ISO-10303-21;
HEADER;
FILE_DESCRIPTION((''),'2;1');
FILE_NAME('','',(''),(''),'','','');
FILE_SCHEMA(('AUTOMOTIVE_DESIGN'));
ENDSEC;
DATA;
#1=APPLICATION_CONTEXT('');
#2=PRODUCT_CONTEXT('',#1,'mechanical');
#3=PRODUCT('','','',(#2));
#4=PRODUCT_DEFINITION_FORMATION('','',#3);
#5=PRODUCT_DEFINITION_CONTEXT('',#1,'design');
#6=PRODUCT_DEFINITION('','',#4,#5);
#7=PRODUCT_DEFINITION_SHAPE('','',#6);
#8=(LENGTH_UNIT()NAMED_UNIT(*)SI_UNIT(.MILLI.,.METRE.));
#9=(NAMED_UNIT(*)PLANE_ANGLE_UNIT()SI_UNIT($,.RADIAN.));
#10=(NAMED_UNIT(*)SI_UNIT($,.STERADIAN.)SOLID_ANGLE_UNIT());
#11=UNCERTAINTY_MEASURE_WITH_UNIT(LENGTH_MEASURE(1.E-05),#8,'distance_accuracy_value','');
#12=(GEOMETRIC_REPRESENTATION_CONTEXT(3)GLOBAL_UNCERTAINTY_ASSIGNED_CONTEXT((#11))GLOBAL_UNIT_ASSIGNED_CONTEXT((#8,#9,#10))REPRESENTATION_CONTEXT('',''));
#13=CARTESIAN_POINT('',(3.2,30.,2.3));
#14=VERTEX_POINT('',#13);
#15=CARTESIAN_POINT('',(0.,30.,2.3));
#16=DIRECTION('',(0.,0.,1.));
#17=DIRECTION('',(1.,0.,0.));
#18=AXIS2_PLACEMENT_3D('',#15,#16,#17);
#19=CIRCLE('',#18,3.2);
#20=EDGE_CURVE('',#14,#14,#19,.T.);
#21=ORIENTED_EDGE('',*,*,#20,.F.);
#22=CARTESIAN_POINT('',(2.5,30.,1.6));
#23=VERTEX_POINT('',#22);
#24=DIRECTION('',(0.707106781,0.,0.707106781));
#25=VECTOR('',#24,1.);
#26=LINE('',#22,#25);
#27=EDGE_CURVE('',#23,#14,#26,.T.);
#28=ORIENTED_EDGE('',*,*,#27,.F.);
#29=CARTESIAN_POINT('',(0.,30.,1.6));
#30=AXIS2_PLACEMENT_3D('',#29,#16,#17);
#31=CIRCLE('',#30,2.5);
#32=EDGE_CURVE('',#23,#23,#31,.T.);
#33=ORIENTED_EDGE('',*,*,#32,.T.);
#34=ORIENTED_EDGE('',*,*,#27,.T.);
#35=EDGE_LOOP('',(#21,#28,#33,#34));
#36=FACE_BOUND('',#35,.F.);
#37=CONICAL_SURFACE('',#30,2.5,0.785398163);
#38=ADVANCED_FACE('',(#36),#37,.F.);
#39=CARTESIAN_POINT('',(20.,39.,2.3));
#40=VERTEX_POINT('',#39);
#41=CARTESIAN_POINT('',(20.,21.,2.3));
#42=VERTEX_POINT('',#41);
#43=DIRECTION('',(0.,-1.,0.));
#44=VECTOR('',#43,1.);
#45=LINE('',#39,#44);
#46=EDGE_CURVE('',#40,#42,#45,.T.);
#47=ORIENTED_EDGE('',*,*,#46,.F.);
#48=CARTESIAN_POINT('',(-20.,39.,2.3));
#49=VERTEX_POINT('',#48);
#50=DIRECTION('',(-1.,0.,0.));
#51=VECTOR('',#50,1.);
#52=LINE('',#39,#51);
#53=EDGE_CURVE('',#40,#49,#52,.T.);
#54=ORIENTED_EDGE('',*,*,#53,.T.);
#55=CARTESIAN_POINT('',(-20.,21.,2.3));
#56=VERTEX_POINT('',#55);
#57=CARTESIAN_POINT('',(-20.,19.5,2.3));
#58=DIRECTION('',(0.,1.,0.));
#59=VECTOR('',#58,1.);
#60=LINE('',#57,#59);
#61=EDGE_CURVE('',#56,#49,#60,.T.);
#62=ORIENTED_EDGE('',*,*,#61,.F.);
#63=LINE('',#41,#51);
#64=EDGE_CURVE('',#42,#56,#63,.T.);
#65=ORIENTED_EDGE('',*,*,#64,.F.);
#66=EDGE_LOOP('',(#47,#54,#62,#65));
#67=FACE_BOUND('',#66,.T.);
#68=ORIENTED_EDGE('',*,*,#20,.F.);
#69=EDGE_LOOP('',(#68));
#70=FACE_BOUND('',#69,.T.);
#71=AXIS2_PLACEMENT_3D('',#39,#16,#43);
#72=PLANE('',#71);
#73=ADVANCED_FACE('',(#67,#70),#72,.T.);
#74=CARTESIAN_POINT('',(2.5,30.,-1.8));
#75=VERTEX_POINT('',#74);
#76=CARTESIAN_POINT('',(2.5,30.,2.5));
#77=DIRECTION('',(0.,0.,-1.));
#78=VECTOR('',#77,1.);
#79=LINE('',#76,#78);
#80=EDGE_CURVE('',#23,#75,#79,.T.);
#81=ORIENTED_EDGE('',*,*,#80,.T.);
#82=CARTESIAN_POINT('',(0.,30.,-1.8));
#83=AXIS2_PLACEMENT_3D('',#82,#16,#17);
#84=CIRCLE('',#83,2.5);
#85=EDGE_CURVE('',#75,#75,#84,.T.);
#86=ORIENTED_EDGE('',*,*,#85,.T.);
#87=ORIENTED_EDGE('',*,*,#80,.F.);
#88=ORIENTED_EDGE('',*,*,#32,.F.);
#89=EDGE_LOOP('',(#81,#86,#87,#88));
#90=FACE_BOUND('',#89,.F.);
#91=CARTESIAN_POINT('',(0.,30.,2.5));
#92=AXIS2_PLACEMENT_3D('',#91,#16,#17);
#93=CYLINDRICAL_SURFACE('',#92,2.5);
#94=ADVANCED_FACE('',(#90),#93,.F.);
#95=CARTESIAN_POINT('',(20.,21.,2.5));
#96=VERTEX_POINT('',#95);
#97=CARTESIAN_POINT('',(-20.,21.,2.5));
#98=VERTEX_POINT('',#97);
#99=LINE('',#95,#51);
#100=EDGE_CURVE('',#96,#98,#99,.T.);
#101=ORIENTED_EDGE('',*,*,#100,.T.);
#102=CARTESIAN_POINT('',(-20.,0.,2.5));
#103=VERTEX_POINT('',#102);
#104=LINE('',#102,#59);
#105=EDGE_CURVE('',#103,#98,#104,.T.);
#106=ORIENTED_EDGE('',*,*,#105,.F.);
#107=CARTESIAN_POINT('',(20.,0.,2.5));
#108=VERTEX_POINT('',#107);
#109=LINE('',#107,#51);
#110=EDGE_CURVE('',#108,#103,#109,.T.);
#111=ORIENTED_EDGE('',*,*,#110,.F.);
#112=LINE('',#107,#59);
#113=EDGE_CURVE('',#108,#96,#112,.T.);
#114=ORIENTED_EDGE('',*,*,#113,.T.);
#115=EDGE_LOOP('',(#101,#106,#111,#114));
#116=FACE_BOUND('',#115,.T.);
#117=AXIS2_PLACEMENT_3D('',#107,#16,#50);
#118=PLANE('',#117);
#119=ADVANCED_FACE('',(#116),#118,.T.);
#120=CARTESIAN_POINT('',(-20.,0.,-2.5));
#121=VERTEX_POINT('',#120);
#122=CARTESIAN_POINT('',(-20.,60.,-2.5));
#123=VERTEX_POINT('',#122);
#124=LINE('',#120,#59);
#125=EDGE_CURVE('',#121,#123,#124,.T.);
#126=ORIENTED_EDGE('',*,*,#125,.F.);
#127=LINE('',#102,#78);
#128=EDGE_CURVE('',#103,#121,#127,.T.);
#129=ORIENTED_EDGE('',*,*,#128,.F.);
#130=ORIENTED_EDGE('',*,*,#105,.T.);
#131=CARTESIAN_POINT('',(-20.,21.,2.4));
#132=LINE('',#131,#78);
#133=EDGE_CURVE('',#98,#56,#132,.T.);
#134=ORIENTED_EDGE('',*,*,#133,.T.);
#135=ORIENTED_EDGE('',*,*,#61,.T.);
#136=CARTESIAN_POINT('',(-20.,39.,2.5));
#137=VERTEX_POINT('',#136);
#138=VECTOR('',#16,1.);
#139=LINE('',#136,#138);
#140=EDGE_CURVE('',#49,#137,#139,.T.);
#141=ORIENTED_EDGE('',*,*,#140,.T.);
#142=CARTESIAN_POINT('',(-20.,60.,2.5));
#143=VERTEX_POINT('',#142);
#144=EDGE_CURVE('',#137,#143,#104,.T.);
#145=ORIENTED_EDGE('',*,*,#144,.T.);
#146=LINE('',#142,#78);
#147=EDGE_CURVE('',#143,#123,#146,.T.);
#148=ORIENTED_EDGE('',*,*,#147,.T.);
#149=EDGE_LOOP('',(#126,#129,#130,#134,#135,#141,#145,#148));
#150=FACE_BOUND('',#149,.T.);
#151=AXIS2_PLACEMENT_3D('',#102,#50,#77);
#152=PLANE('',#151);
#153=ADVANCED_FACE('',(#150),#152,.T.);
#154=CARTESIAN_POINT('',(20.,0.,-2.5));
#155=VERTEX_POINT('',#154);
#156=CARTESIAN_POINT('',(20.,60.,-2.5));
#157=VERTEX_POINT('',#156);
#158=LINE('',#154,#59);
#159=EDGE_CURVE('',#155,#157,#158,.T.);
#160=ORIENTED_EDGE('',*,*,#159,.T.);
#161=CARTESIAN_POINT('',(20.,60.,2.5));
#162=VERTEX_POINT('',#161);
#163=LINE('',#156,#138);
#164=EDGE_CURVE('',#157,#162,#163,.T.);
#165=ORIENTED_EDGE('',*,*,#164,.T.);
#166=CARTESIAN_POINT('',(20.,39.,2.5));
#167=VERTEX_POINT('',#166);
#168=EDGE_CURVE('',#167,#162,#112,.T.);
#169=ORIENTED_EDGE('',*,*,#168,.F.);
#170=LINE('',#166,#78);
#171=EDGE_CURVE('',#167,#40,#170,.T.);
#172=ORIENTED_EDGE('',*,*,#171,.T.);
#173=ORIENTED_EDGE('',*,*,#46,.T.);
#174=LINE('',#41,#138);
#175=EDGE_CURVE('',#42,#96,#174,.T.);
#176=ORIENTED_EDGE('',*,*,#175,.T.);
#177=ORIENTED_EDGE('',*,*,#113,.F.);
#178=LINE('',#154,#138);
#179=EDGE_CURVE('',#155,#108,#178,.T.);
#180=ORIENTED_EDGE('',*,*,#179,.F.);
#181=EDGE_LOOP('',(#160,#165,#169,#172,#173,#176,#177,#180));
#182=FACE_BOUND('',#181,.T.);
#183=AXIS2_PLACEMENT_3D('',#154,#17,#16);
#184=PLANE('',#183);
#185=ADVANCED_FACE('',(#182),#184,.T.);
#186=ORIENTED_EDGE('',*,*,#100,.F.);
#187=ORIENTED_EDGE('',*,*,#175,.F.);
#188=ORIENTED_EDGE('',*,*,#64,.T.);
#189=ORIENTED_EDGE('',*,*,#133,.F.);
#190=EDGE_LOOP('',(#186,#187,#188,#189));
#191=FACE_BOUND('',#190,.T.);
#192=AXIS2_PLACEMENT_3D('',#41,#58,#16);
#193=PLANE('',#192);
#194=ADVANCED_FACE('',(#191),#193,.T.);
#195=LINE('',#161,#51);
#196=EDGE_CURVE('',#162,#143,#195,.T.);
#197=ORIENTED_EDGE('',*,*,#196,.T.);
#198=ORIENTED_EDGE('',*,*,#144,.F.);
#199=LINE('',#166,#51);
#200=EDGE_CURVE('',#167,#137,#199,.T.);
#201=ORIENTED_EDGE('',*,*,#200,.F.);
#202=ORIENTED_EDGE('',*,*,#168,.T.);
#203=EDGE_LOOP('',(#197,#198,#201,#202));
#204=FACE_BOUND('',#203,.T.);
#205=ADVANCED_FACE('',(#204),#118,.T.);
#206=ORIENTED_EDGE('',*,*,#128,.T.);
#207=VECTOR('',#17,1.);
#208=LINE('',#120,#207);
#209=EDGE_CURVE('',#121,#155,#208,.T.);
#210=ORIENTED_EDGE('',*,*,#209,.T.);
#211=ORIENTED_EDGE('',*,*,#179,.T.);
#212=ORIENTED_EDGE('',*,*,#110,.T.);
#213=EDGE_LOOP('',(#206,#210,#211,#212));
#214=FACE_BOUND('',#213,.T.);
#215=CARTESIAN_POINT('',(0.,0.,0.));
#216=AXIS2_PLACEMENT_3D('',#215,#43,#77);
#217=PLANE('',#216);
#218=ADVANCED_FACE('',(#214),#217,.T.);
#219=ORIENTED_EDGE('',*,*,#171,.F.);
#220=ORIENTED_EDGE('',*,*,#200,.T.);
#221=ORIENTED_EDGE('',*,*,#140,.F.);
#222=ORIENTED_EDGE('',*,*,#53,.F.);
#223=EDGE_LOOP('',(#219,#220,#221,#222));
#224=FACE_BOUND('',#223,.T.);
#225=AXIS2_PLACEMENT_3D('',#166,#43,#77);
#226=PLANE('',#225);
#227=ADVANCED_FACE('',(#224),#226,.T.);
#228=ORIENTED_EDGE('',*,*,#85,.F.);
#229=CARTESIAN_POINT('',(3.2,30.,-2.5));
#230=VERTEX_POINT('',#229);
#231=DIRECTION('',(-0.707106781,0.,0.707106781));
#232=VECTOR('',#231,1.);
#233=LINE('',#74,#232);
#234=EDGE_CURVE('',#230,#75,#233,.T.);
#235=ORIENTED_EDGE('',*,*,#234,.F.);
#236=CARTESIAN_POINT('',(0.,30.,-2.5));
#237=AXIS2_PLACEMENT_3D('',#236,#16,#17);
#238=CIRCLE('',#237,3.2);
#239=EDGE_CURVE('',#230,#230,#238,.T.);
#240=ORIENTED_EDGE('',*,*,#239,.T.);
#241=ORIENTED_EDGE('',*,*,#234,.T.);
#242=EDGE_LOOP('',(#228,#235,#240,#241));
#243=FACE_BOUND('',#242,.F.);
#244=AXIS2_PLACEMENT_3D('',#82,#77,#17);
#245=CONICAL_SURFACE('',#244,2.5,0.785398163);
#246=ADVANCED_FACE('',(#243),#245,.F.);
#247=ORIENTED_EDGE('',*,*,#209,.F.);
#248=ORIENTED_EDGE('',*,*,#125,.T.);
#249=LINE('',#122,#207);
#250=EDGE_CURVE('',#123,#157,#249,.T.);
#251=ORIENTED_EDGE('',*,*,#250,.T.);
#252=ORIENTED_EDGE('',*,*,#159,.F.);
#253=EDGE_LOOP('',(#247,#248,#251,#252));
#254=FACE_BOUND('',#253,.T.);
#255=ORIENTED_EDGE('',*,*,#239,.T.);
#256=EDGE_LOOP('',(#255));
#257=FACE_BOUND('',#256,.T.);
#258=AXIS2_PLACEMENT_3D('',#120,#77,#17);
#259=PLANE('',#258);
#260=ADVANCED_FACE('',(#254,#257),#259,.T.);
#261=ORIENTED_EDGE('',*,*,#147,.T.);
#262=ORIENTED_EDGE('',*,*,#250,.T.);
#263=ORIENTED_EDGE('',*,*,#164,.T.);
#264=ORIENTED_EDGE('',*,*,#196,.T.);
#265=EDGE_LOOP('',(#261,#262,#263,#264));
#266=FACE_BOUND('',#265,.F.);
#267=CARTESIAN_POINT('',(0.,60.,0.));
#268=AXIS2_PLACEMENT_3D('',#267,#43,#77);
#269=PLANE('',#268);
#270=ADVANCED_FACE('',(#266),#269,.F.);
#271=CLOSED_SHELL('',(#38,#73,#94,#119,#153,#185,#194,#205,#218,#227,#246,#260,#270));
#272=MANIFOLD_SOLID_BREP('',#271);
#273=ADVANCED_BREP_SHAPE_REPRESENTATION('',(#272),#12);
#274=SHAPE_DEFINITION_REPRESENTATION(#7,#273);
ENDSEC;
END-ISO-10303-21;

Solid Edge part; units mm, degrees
sketch "Sketch1" plane through (0, 0, 0) normal (0, -1, 0) x (1, 0, 0)
  line L0 (-20, -2.5) -> (20, -2.5)
  line L1 (20, -2.5) -> (20, 2.5)
  line L2 (20, 2.5) -> (-20, 2.5)
  line L3 (-20, 2.5) -> (-20, -2.5)
  dimension "D1" = 40
  dimension "D2" = 5
extrude "Protrusion1" add sketch "Sketch1" against normal blind 60
sketch "Sketch2" plane through (20, 30, 0) normal (1, 0, 0) x (0, 1, 0)
  line L0 (-9, 2.5) -> (9, 2.5)
  line L1 (9, 2.5) -> (9, 2.3)
  line L2 (9, 2.3) -> (-9, 2.3)
  line L3 (-9, 2.3) -> (-9, 2.5)
  dimension "D1" = 18
  dimension "D2" = 0.2
extrude "Cutout1" cut sketch "Sketch2" against normal through all
sketch "Sketch3" plane through (0, 49.5, 2.5) normal (0, 0, 1) x (1, 0, 0)
  circle A0 centre (0, -19.5) radius 2.5
  dimension "D1" = 5
extrude "Cutout2" cut sketch "Sketch3" against normal through all
chamfer "Fase_1" distance 0.7 angle 45 2 edges at (0, 32.5, 2.3) (2.5, 30, -2.5)
properties material "Nylon, allgemein"
